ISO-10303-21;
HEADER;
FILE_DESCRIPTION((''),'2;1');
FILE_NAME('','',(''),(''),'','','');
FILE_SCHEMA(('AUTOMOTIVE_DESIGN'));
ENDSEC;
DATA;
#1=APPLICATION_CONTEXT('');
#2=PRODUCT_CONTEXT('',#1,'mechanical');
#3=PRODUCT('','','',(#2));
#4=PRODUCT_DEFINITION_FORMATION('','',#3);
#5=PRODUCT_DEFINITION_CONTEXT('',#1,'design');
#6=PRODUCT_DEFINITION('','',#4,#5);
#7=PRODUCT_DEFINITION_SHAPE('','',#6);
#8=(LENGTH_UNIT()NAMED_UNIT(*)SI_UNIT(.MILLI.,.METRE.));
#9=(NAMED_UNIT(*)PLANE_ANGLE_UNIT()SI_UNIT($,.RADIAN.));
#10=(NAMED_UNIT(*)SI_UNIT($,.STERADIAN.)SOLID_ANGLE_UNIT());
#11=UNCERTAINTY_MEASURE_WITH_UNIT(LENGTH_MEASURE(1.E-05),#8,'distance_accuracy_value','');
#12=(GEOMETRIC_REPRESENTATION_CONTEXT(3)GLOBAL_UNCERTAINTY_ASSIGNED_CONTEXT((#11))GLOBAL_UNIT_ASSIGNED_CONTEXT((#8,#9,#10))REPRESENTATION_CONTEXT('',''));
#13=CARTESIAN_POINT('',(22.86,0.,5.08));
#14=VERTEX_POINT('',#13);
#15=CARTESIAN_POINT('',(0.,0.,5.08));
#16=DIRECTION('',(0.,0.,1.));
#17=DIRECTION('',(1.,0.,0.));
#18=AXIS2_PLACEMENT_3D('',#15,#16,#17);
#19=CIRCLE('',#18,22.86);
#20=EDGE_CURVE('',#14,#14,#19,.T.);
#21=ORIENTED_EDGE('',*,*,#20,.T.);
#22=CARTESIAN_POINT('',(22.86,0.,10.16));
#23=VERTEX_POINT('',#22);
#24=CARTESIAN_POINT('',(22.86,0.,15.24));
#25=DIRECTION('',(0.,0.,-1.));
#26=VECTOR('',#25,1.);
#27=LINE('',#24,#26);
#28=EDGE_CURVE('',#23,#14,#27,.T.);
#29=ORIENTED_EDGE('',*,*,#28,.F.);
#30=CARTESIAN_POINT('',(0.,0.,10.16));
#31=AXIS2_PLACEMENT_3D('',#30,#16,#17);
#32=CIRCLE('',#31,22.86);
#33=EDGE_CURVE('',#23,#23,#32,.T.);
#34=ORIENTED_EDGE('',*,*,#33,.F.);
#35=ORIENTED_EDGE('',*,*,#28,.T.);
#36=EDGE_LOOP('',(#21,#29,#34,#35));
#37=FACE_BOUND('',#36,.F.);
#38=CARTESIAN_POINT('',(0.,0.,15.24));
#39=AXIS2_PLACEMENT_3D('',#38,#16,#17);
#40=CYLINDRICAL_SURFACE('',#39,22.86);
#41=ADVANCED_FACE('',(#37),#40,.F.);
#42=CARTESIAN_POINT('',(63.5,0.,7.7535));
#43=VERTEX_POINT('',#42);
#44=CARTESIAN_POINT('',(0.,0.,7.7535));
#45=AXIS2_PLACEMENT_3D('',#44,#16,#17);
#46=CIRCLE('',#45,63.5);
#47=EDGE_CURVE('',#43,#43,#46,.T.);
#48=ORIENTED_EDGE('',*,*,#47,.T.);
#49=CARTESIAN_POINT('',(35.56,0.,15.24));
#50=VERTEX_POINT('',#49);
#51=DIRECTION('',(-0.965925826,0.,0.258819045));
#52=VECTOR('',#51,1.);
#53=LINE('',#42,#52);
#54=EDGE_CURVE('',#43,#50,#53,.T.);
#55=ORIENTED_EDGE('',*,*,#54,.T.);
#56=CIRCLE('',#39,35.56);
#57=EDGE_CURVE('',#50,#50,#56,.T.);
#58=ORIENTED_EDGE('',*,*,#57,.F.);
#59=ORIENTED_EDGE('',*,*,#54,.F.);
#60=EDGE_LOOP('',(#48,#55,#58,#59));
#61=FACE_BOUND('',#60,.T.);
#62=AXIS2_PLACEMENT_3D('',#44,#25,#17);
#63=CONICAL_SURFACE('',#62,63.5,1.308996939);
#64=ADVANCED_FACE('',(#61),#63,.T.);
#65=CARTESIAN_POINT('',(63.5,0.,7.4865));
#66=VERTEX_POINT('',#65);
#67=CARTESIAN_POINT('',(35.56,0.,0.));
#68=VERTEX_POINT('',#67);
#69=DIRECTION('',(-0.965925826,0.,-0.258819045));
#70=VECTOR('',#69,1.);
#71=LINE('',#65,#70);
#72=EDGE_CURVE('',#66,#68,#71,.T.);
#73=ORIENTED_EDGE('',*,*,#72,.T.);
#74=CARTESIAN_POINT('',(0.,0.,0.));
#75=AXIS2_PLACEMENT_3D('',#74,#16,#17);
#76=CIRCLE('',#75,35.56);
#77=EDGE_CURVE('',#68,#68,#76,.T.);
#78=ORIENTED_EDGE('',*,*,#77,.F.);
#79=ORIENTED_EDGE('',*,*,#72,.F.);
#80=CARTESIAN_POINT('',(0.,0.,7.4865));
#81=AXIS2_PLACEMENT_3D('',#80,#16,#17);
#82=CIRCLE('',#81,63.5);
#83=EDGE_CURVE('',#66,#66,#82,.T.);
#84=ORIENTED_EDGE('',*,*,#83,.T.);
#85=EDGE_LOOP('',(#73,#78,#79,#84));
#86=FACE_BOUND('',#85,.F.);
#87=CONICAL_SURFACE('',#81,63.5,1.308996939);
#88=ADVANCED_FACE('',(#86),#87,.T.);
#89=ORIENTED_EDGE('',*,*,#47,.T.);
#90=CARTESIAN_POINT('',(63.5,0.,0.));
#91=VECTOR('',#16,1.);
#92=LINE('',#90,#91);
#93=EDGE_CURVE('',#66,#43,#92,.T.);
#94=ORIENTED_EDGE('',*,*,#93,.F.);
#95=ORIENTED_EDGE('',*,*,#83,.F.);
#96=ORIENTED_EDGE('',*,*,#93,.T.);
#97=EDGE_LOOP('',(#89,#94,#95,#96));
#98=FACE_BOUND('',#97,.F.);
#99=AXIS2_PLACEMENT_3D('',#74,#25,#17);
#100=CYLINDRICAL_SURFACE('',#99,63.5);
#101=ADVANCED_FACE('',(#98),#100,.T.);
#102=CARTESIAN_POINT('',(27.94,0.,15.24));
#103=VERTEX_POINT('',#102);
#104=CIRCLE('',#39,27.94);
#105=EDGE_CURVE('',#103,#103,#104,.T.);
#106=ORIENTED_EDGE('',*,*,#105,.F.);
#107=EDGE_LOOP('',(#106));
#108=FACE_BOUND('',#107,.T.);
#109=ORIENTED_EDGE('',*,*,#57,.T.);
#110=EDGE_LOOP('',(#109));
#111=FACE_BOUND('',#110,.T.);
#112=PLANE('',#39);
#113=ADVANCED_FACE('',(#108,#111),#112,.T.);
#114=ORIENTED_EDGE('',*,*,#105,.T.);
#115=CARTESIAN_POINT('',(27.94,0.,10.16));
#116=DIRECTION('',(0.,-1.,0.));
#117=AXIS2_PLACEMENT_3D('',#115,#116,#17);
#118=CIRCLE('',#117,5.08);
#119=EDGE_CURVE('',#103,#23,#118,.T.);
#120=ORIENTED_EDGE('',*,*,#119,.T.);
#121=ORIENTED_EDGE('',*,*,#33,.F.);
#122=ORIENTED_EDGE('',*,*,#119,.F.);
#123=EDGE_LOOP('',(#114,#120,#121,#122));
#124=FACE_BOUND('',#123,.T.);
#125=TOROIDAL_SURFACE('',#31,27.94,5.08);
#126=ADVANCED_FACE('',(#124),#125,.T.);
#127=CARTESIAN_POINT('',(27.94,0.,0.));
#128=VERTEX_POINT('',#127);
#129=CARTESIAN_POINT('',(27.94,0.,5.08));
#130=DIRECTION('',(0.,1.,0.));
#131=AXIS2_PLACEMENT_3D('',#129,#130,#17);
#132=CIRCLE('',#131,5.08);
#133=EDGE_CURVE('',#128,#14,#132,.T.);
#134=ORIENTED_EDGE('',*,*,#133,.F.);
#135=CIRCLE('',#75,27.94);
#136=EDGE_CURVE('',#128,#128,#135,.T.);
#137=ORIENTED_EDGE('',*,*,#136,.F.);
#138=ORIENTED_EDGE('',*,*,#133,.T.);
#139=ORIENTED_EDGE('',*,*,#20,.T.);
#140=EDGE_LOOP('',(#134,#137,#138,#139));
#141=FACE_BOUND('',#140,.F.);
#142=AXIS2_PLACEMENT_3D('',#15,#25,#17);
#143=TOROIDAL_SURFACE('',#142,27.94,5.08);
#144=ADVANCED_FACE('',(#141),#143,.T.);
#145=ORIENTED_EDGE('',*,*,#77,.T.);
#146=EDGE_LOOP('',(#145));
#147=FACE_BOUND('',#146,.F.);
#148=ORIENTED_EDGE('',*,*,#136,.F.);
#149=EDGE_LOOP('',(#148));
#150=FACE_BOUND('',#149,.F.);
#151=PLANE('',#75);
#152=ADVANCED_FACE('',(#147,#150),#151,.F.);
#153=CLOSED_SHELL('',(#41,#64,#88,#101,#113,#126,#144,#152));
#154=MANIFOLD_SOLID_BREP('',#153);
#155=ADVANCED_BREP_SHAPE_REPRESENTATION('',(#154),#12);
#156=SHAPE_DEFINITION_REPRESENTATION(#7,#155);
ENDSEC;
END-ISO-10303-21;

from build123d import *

# Parameters (mm, degrees)
F0_R     = 63.5
F1_DEPTH = 15.24
F2_SIZE2 = 27.94
F2_SIZE  = 7.4865004365
F3_R     = 22.86
F4_DEPTH = 25.4
F5_R     = 5.08


with BuildPart() as f1:
    # F0 (on Top) → F1 (new body)
    with BuildSketch(Plane.XY):
        Circle(F0_R)
    extrude(amount=F1_DEPTH)

    # F2
    f2_edges = [f1.edges().sort_by_distance(p)[0] for p in [
        (-63.5, 0, 15.24),
        (63.5, 0, 7.62),
        (-63.5, 0, 0),
    ]]
    f2_side = f1.faces().sort_by_distance((-63.5, 0, 7.62))[0]
    chamfer(f2_edges, length=F2_SIZE, length2=F2_SIZE2, reference=f2_side)

    # F3 (on face) → F4 (cut)
    with BuildSketch(Plane.XY.offset(15.24)):
        Circle(F3_R)
    extrude(amount=-F4_DEPTH, mode=Mode.SUBTRACT)

    # F5
    f5_edges = [f1.edges().sort_by_distance(p)[0] for p in [
        (-22.86, 0, 15.24),
        (-22.86, 0, 0),
    ]]
    fillet(f5_edges, radius=F5_R)


solid = f1.part
